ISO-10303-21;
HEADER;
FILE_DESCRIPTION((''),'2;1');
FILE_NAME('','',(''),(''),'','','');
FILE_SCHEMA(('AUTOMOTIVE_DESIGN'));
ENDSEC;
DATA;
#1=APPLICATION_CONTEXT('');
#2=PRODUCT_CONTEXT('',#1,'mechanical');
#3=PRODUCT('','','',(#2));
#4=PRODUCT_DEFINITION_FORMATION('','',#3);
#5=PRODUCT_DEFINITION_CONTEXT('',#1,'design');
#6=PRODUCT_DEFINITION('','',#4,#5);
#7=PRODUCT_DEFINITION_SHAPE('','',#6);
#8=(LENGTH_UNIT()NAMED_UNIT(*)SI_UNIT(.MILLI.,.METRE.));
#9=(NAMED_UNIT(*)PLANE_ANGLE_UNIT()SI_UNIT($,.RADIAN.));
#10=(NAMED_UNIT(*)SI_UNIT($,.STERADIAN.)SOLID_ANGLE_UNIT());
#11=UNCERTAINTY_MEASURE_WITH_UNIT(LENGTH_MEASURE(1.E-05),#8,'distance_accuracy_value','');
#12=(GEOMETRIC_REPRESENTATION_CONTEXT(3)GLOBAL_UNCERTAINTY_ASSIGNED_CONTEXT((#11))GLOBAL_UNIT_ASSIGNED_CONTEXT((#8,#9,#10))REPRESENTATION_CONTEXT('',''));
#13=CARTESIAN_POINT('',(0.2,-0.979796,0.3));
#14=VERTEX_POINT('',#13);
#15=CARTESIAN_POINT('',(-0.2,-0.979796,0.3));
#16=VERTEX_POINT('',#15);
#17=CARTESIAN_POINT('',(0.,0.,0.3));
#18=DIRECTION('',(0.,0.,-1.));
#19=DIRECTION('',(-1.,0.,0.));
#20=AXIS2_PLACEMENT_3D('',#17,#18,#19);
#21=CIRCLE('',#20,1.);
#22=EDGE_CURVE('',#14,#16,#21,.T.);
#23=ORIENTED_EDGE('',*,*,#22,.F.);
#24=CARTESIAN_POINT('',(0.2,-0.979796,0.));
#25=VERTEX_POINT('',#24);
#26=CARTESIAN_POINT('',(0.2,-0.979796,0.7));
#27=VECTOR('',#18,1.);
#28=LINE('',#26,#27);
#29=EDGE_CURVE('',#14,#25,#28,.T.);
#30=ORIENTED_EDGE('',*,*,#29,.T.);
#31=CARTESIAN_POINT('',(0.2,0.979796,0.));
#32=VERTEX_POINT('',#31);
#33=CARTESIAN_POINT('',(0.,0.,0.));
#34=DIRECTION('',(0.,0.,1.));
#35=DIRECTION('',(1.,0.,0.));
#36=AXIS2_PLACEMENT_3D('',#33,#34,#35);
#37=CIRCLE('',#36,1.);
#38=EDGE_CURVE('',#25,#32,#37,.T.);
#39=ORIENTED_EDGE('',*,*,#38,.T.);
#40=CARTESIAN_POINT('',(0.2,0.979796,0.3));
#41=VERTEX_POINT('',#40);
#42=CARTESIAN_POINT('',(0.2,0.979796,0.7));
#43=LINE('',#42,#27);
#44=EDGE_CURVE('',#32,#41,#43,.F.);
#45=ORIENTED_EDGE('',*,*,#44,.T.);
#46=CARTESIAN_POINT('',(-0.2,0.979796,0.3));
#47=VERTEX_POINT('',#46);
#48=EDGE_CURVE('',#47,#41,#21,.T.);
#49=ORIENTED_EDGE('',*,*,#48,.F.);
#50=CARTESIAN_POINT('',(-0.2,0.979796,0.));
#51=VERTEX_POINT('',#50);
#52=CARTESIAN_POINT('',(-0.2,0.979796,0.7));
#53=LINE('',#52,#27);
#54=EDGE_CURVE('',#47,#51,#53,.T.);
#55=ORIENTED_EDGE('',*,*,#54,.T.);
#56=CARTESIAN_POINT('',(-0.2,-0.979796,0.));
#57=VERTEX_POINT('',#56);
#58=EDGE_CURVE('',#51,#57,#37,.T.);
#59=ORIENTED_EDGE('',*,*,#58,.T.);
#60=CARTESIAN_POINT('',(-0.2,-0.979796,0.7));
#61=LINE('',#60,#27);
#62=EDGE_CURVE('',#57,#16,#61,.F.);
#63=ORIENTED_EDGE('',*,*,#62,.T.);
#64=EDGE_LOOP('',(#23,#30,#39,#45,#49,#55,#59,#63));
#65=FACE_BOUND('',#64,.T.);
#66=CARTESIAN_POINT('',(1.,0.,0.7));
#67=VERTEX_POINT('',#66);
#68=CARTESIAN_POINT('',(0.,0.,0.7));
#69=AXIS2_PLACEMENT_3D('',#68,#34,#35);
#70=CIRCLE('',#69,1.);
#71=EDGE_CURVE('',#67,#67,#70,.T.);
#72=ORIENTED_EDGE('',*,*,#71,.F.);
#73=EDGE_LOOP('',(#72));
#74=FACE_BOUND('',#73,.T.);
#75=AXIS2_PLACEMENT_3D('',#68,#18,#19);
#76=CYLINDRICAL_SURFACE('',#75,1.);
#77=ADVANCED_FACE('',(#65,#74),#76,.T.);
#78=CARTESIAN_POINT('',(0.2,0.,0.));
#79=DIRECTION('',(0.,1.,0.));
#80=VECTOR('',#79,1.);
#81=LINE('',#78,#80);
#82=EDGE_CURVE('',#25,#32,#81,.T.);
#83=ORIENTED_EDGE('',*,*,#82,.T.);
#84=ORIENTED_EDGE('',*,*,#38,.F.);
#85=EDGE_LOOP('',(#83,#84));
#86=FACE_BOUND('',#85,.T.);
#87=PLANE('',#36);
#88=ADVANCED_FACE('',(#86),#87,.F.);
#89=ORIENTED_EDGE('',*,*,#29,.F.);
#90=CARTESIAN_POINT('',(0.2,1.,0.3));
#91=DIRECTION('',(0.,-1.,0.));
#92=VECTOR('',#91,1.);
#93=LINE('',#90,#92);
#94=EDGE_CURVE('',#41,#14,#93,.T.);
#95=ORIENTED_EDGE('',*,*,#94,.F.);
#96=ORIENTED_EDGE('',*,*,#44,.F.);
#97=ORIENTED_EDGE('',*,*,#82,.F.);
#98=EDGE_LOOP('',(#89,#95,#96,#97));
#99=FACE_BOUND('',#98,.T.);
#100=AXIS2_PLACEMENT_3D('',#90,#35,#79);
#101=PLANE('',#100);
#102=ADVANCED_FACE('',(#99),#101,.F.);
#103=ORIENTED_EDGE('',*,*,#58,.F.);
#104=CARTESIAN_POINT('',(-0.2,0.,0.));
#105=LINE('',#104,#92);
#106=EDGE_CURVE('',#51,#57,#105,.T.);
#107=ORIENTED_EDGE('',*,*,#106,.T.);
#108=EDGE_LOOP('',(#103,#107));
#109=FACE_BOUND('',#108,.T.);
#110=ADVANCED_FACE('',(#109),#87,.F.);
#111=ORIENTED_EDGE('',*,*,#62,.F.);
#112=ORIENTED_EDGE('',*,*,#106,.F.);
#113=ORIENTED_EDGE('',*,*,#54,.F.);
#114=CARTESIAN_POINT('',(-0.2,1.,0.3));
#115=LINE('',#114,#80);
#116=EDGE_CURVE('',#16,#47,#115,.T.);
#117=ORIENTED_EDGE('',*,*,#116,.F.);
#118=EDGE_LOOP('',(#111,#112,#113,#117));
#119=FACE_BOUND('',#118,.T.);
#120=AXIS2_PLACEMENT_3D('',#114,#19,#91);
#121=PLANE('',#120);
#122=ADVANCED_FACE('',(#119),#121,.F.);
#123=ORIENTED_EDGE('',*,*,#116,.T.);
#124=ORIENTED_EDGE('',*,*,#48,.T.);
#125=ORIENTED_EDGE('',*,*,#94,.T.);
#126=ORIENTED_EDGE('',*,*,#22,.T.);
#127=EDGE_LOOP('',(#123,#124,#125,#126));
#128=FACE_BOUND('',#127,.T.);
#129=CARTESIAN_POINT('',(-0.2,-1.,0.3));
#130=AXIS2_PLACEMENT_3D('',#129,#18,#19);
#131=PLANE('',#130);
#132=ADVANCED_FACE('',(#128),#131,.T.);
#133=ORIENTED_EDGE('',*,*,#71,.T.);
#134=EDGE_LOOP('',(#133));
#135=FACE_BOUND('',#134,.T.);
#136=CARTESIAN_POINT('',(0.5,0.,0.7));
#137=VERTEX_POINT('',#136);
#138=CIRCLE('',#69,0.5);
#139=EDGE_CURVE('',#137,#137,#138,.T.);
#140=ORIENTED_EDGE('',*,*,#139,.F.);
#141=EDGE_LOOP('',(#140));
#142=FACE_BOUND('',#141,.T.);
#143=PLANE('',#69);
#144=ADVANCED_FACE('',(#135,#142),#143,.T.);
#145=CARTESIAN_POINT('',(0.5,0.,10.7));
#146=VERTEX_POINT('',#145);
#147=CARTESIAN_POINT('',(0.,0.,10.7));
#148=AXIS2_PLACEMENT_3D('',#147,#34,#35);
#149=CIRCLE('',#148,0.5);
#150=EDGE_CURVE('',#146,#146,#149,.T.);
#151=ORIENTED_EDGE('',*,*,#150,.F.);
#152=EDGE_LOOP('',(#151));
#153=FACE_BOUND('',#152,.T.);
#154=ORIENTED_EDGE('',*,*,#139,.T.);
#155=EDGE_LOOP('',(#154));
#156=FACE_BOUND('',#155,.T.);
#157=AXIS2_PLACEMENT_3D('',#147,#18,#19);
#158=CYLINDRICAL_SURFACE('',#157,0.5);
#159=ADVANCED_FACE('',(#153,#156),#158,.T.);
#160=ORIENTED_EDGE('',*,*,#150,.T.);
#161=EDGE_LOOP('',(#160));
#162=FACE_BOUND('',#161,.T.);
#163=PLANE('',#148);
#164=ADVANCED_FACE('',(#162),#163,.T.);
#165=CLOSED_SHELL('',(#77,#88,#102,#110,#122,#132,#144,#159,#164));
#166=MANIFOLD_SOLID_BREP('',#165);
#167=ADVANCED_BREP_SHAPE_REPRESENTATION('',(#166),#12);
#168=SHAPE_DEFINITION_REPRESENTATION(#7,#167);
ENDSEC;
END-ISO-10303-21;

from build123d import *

# Parameters (mm, degrees)
SKETCH1_R           = 1
BOSS_EXTRUDE1_DEPTH = 0.7
SKETCH3_R           = 0.5
BOSS_EXTRUDE2_DEPTH = 10
SKETCH5_W           = 0.4
SKETCH5_H           = 2
CUT_EXTRUDE1_DEPTH  = 0.3


with BuildPart() as part:
    # Sketch1 → Boss-Extrude1 (new body)
    with BuildSketch(Plane.XY):
        Circle(SKETCH1_R)
    extrude(amount=BOSS_EXTRUDE1_DEPTH)

    # Sketch3 → Boss-Extrude2 (add)
    with BuildSketch(Plane.XY.offset(0.7)):
        Circle(SKETCH3_R)
    extrude(amount=BOSS_EXTRUDE2_DEPTH)

    # Sketch5 → Cut-Extrude1 (cut)
    with BuildSketch(Plane(origin=(0, 0, 0), x_dir=(-1, 0, 0), z_dir=(0, 0, -1))):
        Rectangle(SKETCH5_W, SKETCH5_H)
    extrude(amount=-CUT_EXTRUDE1_DEPTH, mode=Mode.SUBTRACT)


solid = part.part
